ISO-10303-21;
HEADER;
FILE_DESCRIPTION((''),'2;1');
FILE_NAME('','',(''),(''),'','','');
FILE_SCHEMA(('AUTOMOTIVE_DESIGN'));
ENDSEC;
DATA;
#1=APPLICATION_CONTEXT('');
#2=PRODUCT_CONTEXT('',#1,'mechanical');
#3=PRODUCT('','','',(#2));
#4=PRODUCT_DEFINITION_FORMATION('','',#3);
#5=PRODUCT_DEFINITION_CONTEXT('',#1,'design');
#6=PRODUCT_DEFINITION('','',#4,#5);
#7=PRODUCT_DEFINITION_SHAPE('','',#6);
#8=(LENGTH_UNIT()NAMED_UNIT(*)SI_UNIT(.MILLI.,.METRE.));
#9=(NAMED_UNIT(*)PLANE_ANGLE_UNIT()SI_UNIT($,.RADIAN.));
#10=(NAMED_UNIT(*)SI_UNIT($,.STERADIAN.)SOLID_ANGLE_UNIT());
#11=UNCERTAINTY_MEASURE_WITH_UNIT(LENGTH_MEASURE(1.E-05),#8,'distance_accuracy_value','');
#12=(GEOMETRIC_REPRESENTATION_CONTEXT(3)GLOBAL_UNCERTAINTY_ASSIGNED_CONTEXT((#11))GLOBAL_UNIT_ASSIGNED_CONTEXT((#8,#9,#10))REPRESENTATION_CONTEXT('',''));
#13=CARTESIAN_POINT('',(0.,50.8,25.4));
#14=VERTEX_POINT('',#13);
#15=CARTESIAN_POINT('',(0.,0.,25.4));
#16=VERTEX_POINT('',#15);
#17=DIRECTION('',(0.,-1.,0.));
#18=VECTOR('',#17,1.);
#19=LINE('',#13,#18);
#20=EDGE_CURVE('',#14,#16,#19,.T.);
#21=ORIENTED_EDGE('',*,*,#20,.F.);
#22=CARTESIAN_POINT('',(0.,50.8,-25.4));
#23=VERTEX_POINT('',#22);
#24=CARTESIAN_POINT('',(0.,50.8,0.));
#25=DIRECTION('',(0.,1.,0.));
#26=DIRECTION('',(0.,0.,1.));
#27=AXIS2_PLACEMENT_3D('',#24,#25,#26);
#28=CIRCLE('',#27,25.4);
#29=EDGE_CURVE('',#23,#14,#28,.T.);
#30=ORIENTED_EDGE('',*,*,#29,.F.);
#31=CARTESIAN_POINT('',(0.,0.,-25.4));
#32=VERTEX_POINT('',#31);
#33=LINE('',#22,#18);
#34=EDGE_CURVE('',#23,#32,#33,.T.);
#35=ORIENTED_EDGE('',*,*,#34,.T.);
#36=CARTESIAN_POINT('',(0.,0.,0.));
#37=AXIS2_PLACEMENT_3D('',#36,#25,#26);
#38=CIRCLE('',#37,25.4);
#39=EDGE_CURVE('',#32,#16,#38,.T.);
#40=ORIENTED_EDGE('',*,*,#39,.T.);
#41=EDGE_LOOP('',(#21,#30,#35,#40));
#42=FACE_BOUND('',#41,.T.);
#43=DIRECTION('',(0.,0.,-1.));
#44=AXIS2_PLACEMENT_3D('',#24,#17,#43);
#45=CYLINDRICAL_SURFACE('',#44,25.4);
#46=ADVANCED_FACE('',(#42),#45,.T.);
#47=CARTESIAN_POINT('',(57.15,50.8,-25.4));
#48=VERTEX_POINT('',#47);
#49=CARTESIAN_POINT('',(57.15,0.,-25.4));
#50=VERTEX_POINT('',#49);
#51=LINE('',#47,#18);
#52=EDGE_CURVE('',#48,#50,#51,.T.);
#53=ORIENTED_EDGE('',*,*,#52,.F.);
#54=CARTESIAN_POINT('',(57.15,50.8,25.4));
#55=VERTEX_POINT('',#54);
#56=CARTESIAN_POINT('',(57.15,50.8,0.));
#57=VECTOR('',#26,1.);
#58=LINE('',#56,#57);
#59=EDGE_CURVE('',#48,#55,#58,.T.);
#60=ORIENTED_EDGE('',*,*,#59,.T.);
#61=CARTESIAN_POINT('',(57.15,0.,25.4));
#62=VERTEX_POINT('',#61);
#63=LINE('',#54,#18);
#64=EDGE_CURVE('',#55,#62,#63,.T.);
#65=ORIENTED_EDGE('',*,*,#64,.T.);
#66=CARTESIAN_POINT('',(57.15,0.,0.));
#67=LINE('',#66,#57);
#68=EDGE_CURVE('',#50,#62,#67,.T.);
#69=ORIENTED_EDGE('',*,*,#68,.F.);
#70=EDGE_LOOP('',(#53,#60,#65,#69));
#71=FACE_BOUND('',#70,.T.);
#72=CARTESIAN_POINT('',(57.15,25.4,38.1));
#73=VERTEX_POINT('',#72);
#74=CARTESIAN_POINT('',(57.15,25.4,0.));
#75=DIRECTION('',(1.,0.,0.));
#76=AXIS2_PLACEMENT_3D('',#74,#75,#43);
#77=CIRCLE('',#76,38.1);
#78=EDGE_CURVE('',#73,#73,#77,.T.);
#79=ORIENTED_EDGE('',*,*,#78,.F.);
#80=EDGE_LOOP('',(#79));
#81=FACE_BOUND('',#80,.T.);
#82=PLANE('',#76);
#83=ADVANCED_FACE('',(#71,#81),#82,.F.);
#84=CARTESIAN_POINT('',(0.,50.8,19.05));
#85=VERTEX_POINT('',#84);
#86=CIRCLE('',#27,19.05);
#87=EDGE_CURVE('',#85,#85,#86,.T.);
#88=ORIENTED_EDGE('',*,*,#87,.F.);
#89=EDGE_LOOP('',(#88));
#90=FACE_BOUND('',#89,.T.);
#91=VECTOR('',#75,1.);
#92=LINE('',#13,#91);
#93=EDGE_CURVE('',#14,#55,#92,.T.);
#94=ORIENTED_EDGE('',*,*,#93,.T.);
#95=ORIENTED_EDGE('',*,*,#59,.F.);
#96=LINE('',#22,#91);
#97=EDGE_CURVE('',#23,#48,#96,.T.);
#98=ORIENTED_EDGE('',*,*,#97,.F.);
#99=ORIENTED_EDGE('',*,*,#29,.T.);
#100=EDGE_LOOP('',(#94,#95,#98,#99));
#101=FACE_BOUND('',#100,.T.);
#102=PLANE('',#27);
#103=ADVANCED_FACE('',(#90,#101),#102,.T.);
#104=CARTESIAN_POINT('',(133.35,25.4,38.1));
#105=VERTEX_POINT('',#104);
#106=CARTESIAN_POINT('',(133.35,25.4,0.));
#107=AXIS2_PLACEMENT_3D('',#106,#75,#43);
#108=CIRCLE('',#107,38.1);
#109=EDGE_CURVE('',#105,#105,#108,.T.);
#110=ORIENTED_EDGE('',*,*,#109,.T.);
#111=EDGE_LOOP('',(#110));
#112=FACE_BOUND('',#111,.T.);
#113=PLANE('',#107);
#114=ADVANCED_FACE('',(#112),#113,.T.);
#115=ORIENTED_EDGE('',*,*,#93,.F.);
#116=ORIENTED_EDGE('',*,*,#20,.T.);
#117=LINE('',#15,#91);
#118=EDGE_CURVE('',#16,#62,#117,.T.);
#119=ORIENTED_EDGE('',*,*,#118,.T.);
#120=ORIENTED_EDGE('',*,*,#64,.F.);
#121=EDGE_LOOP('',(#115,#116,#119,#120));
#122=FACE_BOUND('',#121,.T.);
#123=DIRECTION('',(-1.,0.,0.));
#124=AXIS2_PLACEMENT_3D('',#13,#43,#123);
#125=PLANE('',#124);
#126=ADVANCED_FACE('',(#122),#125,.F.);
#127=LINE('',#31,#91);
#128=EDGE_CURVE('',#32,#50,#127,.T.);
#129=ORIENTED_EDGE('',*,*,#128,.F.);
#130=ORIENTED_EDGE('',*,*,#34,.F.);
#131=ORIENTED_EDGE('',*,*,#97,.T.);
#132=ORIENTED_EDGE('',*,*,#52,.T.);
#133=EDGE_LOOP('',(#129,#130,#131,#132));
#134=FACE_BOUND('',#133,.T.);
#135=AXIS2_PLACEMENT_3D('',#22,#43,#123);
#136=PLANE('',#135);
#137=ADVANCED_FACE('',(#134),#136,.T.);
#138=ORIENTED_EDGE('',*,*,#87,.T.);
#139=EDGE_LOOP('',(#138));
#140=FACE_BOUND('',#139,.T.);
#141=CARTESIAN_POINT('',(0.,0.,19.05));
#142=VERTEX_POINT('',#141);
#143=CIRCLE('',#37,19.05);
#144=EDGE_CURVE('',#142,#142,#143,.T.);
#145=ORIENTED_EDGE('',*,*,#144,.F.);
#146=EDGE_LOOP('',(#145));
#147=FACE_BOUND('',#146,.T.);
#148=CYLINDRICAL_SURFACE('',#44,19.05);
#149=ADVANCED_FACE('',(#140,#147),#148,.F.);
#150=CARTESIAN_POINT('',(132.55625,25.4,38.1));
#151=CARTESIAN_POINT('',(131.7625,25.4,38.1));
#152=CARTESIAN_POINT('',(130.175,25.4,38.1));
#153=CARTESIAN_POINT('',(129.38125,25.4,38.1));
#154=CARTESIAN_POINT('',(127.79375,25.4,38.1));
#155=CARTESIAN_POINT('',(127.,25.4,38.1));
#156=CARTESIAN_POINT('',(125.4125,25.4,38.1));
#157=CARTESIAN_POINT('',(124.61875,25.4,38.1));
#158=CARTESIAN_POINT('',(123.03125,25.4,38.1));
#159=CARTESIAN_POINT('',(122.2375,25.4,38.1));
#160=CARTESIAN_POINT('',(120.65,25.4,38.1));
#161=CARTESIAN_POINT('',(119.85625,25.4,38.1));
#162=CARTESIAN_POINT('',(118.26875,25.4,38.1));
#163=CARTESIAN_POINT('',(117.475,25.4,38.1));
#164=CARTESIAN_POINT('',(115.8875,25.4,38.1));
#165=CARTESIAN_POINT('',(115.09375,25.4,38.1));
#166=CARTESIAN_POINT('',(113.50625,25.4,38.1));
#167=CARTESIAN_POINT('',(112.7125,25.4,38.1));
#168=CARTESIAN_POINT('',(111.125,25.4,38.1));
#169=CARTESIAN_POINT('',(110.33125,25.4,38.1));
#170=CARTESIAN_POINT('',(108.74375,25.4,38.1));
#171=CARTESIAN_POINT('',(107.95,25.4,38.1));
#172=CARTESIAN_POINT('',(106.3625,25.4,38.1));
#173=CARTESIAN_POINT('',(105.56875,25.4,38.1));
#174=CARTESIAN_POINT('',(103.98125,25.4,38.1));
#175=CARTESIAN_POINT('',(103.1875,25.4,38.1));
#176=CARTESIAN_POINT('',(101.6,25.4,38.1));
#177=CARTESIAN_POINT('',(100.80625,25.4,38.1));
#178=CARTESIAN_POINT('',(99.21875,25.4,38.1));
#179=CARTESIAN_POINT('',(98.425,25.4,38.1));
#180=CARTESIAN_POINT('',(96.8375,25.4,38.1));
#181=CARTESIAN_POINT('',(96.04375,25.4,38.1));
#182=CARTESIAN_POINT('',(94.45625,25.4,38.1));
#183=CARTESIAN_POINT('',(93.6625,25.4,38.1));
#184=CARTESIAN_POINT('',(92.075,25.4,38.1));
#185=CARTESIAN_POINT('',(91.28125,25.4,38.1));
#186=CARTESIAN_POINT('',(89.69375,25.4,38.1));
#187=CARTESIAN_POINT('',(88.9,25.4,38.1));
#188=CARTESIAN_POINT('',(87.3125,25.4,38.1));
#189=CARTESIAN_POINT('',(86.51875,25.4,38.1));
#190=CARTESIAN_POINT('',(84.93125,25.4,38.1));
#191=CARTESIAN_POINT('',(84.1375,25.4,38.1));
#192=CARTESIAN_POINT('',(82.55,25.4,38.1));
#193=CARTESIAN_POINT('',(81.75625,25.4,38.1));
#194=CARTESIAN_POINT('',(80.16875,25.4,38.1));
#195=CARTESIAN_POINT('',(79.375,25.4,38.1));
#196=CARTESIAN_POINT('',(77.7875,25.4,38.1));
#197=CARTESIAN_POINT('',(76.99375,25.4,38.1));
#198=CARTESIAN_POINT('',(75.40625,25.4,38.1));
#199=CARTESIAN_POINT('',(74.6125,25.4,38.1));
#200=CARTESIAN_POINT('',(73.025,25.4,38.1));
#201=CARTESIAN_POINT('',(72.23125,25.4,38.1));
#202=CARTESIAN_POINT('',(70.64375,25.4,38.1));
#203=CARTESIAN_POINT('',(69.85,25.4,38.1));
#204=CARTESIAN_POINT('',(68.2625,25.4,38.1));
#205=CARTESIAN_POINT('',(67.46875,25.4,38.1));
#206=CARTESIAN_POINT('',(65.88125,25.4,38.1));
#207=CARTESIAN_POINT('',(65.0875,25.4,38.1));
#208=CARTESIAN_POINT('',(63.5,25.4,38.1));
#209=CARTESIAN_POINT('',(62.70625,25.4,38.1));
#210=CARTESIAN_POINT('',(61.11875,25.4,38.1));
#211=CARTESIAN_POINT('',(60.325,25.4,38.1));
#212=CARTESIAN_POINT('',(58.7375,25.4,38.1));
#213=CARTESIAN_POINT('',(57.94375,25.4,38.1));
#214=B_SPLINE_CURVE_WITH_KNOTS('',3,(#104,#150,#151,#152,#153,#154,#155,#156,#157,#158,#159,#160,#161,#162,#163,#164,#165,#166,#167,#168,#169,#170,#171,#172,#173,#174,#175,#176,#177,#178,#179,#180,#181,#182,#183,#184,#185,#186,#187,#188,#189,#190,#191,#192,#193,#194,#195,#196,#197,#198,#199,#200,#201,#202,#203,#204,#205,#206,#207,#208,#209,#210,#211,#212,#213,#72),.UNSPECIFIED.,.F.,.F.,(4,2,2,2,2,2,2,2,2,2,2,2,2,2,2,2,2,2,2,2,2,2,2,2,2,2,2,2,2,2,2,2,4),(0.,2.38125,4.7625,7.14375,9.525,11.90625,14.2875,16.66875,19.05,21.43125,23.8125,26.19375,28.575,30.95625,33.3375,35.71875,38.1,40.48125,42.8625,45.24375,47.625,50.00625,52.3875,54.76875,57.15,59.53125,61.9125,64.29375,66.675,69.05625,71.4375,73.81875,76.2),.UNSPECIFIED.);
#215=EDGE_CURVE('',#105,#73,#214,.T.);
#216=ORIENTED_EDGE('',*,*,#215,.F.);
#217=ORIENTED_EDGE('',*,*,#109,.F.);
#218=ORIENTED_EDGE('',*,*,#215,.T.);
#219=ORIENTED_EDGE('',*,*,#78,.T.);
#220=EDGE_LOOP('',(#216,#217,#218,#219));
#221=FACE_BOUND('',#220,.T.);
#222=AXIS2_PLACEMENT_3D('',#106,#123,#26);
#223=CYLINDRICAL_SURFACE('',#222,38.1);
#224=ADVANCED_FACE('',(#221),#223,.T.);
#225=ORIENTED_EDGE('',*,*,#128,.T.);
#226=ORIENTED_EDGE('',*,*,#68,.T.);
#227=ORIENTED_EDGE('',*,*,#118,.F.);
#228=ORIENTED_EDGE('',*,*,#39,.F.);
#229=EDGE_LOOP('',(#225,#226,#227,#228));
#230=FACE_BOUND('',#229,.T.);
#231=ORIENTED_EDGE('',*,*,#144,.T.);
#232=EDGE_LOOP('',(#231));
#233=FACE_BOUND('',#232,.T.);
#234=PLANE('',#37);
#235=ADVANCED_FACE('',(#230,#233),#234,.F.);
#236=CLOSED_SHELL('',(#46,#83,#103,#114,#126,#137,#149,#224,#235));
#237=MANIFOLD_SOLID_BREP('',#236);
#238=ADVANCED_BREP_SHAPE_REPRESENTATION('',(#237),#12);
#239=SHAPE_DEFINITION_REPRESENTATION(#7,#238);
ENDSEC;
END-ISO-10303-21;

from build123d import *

# Parameters (mm, degrees)
SKETCH1_R           = 25.4
SKETCH1_R_2         = 19.05
BOSS_EXTRUDE1_DEPTH = 50.8
SKETCH2_R           = 38.1
BOSS_EXTRUDE2_DEPTH = 76.2


with BuildPart() as part:
    # Sketch1 → Boss-Extrude1 (new body)
    # profile 1 of 2: a face of its own
    with BuildSketch(Plane(origin=(0, 0, 0), x_dir=(1, 0, 0), z_dir=(0, 1, 0))):
        with BuildLine():
            ThreePointArc((25.4, 0), (17.960512242, -17.960512242), (0, -25.4))
            Line((0, -25.4), (57.15, -25.4))
            Line((57.15, -25.4), (57.15, 25.4))
            Line((57.15, 25.4), (0, 25.4))
            ThreePointArc((0, 25.4), (17.960512242, 17.960512242), (25.4, 0))
        make_face()
    # profile 2 of 2: a face of its own
    with BuildSketch(Plane(origin=(0, 0, 0), x_dir=(1, 0, 0), z_dir=(0, 1, 0))):
        Circle(SKETCH1_R)
        with Locations(Location((0, 0, 0), (0, 0, 270))):
            Circle(SKETCH1_R_2, mode=Mode.SUBTRACT)
    extrude(amount=BOSS_EXTRUDE1_DEPTH)

    # Sketch2 → Boss-Extrude2 (add)
    with BuildSketch(Plane(origin=(57.15, 0, 0), x_dir=(0, 0, -1), z_dir=(1, 0, 0))):
        with Locations(Location((0, 25.4, 0), (0, 0, 180))):
            Circle(SKETCH2_R)
    extrude(amount=BOSS_EXTRUDE2_DEPTH)


solid = part.part
